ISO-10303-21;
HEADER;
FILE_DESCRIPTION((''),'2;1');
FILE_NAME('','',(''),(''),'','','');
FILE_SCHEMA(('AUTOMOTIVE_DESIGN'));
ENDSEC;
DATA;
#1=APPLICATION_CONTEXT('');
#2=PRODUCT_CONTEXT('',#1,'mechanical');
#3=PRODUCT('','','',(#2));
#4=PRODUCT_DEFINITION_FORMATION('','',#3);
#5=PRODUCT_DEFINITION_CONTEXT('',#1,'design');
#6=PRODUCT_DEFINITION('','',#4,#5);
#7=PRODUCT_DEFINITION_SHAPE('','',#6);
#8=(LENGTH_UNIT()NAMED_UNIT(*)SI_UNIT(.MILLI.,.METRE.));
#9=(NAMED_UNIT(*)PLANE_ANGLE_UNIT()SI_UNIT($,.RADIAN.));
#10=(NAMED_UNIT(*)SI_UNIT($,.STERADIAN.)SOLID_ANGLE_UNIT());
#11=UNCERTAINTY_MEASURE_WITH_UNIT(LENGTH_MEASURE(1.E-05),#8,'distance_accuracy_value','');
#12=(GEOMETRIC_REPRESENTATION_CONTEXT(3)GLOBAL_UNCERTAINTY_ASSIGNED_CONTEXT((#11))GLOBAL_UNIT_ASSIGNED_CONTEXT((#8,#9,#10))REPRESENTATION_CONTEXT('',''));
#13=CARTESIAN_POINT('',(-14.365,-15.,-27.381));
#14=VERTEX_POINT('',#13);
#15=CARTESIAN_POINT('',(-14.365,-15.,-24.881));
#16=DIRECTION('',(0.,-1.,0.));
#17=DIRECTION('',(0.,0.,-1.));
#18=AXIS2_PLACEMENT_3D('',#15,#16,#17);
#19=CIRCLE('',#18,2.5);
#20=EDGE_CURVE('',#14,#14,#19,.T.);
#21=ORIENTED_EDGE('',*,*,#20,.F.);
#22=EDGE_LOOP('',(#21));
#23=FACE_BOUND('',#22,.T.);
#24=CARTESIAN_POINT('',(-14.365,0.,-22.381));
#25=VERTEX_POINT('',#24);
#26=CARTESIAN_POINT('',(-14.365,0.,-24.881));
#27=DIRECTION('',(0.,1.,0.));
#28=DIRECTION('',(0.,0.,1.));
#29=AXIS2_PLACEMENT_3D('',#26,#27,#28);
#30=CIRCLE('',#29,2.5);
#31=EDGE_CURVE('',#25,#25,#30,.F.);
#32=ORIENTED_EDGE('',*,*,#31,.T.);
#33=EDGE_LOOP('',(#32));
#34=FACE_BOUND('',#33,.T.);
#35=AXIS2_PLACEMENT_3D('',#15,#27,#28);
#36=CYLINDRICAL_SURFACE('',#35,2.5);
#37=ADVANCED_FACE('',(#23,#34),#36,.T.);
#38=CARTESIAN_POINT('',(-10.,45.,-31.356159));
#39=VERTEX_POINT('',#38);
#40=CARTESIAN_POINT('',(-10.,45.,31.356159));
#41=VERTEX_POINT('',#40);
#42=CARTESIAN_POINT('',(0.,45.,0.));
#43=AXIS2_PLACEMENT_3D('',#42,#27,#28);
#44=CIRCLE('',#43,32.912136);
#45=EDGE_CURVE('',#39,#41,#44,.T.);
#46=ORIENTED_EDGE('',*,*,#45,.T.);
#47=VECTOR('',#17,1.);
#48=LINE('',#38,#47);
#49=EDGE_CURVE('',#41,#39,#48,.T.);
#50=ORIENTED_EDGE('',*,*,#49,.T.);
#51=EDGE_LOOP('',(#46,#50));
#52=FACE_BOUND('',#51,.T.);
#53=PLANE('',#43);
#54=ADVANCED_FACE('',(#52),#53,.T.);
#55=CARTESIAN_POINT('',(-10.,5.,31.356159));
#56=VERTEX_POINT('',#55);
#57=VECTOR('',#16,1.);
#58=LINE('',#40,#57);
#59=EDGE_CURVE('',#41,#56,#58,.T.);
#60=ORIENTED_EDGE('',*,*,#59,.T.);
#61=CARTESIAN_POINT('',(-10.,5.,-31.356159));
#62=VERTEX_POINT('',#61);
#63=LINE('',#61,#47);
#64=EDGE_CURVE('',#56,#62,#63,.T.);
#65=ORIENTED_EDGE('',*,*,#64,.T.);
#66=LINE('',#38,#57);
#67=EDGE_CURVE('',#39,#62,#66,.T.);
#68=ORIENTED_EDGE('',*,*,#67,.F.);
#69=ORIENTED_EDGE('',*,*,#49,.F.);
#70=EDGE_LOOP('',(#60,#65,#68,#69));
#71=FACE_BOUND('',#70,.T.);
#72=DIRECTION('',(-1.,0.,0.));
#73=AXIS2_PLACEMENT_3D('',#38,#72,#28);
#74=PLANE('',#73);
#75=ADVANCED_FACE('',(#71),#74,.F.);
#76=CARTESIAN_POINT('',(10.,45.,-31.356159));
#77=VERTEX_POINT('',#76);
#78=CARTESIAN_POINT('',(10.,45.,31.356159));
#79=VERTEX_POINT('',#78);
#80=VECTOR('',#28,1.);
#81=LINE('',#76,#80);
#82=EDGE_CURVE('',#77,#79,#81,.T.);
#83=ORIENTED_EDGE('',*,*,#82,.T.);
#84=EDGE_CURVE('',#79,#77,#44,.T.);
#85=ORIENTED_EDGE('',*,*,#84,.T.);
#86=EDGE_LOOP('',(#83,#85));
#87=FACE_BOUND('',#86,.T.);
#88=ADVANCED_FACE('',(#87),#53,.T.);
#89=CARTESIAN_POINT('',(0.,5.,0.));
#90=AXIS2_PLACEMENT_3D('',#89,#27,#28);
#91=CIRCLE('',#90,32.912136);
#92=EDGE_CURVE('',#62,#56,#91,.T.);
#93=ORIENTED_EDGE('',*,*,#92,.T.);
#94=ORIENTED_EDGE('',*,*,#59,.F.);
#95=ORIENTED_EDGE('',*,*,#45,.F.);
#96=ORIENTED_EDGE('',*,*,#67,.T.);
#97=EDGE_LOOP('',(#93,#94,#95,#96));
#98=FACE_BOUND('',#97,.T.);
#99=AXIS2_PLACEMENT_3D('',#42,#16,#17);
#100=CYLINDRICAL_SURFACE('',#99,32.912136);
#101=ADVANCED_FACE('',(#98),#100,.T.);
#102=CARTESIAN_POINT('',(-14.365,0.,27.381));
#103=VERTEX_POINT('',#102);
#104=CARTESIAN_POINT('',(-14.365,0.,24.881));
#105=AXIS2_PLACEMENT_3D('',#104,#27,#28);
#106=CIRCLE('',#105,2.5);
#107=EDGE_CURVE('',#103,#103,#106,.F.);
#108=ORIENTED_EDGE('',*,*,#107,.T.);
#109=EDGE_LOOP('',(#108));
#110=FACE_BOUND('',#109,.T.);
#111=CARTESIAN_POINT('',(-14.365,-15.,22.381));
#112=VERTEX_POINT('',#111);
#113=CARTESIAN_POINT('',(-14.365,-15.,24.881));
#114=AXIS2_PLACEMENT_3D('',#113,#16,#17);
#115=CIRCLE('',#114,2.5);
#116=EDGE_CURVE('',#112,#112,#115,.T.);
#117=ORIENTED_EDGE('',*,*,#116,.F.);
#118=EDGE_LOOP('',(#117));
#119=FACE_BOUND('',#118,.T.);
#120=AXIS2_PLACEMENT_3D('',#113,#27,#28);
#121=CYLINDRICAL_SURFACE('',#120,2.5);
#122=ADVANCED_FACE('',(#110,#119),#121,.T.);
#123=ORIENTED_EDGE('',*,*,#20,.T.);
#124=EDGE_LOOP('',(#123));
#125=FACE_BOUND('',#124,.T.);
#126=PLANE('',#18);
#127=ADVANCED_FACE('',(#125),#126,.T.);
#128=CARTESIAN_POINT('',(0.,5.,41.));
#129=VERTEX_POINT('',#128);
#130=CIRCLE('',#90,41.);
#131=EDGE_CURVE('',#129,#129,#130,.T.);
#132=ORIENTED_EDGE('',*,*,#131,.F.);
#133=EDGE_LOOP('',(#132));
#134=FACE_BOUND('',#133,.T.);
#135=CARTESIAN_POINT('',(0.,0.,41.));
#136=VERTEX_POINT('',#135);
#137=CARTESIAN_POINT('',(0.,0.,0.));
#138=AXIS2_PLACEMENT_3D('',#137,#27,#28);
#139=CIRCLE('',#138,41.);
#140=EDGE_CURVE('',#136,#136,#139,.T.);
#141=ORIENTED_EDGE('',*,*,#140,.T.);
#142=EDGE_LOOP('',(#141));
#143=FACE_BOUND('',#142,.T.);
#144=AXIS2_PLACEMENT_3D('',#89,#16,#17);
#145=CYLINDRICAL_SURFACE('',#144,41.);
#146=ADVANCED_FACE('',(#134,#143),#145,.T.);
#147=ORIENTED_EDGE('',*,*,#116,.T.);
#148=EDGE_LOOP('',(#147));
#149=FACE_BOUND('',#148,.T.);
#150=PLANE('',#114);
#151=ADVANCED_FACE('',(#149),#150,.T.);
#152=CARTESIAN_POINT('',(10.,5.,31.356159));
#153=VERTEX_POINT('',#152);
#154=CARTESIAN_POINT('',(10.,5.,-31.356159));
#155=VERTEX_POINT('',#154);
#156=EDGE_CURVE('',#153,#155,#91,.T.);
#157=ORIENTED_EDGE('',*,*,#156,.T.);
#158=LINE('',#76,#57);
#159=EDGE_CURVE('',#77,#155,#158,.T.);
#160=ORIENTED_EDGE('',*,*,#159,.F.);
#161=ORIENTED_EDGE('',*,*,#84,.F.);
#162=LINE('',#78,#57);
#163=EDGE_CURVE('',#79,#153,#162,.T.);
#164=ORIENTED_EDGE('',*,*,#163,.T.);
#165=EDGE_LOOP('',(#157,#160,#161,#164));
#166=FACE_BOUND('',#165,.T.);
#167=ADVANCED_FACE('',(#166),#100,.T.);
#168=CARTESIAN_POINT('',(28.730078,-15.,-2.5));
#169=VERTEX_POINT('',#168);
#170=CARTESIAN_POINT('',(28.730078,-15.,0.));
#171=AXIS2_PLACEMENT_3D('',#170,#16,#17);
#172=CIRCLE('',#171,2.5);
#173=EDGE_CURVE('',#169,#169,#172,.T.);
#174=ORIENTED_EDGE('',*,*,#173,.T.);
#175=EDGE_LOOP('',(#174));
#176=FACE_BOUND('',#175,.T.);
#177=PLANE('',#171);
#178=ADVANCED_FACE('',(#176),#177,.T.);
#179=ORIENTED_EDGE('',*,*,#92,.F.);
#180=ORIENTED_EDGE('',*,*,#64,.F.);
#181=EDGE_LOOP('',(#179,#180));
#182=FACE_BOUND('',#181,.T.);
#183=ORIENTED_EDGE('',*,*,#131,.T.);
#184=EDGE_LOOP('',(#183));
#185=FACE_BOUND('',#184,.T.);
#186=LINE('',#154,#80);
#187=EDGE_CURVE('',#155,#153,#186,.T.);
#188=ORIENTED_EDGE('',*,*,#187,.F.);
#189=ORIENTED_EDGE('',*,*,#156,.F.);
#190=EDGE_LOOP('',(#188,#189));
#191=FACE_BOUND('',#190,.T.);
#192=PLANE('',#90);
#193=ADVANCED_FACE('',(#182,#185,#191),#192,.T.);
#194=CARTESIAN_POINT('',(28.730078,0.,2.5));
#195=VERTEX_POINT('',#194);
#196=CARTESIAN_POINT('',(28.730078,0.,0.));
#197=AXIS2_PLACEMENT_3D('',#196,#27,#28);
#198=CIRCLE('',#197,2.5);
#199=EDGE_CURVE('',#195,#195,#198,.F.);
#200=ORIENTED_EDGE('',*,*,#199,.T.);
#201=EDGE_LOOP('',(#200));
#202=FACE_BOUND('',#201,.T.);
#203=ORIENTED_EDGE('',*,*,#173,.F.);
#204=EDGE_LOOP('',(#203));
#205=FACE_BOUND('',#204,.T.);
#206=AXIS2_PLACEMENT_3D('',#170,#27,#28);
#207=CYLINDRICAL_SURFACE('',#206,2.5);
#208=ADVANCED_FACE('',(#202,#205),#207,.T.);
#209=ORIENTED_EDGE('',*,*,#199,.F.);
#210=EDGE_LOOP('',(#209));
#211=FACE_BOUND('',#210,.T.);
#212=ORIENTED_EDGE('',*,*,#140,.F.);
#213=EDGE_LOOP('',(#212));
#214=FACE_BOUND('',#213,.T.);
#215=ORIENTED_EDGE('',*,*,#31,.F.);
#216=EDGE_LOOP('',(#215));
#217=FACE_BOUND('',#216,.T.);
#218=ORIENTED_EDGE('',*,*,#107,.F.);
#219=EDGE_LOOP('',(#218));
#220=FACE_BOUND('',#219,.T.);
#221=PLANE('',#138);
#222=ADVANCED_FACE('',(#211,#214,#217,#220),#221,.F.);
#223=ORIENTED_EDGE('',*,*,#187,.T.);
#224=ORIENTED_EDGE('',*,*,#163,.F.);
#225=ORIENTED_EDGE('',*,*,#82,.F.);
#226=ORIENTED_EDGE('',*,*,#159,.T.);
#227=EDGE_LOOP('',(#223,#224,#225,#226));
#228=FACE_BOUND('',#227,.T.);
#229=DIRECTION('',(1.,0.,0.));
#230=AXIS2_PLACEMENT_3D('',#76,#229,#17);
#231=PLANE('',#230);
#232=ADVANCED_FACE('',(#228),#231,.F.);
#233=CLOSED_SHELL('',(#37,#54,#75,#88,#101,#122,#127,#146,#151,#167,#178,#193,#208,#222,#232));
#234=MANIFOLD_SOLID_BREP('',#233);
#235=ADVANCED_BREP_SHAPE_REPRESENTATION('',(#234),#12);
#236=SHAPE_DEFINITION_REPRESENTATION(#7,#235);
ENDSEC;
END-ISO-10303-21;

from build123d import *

# Parameters (mm, degrees)
SKETCH1_R           = 41
BOSS_EXTRUDE1_DEPTH = 5
SKETCH2_R           = 2.5
BOSS_EXTRUDE2_DEPTH = 15
BOSS_EXTRUDE3_DEPTH = 40


with BuildPart() as part:
    # Sketch1 → Boss-Extrude1 (new body)
    with BuildSketch(Plane(origin=(0, 0, 0), x_dir=(1, 0, 0), z_dir=(0, 1, 0))):
        with Locations(Location((0, 0, 0), (0, 0, 270))):
            Circle(SKETCH1_R)
    extrude(amount=BOSS_EXTRUDE1_DEPTH)

    # Sketch2 → Boss-Extrude2 (add)
    with BuildSketch(Plane.XZ):
        with Locations(Location((28.730078072, 0, 0), (0, 0, 90))):
            Circle(SKETCH2_R)
        with Locations(Location((-14.365, 24.881, 0), (0, 0, 90))):
            Circle(SKETCH2_R)
        with Locations(Location((-14.365, -24.881, 0), (0, 0, 90))):
            Circle(SKETCH2_R)
    extrude(amount=BOSS_EXTRUDE2_DEPTH)

    # Sketch3 → Boss-Extrude3 (add)
    with BuildSketch(Plane(origin=(0, 5, 0), x_dir=(1, 0, 0), z_dir=(0, 1, 0))):
        with BuildLine():
            Line((-10, 31.356159261), (-10, -31.356159261))
            ThreePointArc((-10, -31.356159261), (-32.912136418, 0), (-10, 31.356159261))
        make_face()
        with BuildLine():
            Line((10, 31.356159261), (10, -31.356159261))
            ThreePointArc((10, -31.356159261), (32.912136418, 0), (10, 31.356159261))
        make_face()
    extrude(amount=BOSS_EXTRUDE3_DEPTH)


solid = part.part
